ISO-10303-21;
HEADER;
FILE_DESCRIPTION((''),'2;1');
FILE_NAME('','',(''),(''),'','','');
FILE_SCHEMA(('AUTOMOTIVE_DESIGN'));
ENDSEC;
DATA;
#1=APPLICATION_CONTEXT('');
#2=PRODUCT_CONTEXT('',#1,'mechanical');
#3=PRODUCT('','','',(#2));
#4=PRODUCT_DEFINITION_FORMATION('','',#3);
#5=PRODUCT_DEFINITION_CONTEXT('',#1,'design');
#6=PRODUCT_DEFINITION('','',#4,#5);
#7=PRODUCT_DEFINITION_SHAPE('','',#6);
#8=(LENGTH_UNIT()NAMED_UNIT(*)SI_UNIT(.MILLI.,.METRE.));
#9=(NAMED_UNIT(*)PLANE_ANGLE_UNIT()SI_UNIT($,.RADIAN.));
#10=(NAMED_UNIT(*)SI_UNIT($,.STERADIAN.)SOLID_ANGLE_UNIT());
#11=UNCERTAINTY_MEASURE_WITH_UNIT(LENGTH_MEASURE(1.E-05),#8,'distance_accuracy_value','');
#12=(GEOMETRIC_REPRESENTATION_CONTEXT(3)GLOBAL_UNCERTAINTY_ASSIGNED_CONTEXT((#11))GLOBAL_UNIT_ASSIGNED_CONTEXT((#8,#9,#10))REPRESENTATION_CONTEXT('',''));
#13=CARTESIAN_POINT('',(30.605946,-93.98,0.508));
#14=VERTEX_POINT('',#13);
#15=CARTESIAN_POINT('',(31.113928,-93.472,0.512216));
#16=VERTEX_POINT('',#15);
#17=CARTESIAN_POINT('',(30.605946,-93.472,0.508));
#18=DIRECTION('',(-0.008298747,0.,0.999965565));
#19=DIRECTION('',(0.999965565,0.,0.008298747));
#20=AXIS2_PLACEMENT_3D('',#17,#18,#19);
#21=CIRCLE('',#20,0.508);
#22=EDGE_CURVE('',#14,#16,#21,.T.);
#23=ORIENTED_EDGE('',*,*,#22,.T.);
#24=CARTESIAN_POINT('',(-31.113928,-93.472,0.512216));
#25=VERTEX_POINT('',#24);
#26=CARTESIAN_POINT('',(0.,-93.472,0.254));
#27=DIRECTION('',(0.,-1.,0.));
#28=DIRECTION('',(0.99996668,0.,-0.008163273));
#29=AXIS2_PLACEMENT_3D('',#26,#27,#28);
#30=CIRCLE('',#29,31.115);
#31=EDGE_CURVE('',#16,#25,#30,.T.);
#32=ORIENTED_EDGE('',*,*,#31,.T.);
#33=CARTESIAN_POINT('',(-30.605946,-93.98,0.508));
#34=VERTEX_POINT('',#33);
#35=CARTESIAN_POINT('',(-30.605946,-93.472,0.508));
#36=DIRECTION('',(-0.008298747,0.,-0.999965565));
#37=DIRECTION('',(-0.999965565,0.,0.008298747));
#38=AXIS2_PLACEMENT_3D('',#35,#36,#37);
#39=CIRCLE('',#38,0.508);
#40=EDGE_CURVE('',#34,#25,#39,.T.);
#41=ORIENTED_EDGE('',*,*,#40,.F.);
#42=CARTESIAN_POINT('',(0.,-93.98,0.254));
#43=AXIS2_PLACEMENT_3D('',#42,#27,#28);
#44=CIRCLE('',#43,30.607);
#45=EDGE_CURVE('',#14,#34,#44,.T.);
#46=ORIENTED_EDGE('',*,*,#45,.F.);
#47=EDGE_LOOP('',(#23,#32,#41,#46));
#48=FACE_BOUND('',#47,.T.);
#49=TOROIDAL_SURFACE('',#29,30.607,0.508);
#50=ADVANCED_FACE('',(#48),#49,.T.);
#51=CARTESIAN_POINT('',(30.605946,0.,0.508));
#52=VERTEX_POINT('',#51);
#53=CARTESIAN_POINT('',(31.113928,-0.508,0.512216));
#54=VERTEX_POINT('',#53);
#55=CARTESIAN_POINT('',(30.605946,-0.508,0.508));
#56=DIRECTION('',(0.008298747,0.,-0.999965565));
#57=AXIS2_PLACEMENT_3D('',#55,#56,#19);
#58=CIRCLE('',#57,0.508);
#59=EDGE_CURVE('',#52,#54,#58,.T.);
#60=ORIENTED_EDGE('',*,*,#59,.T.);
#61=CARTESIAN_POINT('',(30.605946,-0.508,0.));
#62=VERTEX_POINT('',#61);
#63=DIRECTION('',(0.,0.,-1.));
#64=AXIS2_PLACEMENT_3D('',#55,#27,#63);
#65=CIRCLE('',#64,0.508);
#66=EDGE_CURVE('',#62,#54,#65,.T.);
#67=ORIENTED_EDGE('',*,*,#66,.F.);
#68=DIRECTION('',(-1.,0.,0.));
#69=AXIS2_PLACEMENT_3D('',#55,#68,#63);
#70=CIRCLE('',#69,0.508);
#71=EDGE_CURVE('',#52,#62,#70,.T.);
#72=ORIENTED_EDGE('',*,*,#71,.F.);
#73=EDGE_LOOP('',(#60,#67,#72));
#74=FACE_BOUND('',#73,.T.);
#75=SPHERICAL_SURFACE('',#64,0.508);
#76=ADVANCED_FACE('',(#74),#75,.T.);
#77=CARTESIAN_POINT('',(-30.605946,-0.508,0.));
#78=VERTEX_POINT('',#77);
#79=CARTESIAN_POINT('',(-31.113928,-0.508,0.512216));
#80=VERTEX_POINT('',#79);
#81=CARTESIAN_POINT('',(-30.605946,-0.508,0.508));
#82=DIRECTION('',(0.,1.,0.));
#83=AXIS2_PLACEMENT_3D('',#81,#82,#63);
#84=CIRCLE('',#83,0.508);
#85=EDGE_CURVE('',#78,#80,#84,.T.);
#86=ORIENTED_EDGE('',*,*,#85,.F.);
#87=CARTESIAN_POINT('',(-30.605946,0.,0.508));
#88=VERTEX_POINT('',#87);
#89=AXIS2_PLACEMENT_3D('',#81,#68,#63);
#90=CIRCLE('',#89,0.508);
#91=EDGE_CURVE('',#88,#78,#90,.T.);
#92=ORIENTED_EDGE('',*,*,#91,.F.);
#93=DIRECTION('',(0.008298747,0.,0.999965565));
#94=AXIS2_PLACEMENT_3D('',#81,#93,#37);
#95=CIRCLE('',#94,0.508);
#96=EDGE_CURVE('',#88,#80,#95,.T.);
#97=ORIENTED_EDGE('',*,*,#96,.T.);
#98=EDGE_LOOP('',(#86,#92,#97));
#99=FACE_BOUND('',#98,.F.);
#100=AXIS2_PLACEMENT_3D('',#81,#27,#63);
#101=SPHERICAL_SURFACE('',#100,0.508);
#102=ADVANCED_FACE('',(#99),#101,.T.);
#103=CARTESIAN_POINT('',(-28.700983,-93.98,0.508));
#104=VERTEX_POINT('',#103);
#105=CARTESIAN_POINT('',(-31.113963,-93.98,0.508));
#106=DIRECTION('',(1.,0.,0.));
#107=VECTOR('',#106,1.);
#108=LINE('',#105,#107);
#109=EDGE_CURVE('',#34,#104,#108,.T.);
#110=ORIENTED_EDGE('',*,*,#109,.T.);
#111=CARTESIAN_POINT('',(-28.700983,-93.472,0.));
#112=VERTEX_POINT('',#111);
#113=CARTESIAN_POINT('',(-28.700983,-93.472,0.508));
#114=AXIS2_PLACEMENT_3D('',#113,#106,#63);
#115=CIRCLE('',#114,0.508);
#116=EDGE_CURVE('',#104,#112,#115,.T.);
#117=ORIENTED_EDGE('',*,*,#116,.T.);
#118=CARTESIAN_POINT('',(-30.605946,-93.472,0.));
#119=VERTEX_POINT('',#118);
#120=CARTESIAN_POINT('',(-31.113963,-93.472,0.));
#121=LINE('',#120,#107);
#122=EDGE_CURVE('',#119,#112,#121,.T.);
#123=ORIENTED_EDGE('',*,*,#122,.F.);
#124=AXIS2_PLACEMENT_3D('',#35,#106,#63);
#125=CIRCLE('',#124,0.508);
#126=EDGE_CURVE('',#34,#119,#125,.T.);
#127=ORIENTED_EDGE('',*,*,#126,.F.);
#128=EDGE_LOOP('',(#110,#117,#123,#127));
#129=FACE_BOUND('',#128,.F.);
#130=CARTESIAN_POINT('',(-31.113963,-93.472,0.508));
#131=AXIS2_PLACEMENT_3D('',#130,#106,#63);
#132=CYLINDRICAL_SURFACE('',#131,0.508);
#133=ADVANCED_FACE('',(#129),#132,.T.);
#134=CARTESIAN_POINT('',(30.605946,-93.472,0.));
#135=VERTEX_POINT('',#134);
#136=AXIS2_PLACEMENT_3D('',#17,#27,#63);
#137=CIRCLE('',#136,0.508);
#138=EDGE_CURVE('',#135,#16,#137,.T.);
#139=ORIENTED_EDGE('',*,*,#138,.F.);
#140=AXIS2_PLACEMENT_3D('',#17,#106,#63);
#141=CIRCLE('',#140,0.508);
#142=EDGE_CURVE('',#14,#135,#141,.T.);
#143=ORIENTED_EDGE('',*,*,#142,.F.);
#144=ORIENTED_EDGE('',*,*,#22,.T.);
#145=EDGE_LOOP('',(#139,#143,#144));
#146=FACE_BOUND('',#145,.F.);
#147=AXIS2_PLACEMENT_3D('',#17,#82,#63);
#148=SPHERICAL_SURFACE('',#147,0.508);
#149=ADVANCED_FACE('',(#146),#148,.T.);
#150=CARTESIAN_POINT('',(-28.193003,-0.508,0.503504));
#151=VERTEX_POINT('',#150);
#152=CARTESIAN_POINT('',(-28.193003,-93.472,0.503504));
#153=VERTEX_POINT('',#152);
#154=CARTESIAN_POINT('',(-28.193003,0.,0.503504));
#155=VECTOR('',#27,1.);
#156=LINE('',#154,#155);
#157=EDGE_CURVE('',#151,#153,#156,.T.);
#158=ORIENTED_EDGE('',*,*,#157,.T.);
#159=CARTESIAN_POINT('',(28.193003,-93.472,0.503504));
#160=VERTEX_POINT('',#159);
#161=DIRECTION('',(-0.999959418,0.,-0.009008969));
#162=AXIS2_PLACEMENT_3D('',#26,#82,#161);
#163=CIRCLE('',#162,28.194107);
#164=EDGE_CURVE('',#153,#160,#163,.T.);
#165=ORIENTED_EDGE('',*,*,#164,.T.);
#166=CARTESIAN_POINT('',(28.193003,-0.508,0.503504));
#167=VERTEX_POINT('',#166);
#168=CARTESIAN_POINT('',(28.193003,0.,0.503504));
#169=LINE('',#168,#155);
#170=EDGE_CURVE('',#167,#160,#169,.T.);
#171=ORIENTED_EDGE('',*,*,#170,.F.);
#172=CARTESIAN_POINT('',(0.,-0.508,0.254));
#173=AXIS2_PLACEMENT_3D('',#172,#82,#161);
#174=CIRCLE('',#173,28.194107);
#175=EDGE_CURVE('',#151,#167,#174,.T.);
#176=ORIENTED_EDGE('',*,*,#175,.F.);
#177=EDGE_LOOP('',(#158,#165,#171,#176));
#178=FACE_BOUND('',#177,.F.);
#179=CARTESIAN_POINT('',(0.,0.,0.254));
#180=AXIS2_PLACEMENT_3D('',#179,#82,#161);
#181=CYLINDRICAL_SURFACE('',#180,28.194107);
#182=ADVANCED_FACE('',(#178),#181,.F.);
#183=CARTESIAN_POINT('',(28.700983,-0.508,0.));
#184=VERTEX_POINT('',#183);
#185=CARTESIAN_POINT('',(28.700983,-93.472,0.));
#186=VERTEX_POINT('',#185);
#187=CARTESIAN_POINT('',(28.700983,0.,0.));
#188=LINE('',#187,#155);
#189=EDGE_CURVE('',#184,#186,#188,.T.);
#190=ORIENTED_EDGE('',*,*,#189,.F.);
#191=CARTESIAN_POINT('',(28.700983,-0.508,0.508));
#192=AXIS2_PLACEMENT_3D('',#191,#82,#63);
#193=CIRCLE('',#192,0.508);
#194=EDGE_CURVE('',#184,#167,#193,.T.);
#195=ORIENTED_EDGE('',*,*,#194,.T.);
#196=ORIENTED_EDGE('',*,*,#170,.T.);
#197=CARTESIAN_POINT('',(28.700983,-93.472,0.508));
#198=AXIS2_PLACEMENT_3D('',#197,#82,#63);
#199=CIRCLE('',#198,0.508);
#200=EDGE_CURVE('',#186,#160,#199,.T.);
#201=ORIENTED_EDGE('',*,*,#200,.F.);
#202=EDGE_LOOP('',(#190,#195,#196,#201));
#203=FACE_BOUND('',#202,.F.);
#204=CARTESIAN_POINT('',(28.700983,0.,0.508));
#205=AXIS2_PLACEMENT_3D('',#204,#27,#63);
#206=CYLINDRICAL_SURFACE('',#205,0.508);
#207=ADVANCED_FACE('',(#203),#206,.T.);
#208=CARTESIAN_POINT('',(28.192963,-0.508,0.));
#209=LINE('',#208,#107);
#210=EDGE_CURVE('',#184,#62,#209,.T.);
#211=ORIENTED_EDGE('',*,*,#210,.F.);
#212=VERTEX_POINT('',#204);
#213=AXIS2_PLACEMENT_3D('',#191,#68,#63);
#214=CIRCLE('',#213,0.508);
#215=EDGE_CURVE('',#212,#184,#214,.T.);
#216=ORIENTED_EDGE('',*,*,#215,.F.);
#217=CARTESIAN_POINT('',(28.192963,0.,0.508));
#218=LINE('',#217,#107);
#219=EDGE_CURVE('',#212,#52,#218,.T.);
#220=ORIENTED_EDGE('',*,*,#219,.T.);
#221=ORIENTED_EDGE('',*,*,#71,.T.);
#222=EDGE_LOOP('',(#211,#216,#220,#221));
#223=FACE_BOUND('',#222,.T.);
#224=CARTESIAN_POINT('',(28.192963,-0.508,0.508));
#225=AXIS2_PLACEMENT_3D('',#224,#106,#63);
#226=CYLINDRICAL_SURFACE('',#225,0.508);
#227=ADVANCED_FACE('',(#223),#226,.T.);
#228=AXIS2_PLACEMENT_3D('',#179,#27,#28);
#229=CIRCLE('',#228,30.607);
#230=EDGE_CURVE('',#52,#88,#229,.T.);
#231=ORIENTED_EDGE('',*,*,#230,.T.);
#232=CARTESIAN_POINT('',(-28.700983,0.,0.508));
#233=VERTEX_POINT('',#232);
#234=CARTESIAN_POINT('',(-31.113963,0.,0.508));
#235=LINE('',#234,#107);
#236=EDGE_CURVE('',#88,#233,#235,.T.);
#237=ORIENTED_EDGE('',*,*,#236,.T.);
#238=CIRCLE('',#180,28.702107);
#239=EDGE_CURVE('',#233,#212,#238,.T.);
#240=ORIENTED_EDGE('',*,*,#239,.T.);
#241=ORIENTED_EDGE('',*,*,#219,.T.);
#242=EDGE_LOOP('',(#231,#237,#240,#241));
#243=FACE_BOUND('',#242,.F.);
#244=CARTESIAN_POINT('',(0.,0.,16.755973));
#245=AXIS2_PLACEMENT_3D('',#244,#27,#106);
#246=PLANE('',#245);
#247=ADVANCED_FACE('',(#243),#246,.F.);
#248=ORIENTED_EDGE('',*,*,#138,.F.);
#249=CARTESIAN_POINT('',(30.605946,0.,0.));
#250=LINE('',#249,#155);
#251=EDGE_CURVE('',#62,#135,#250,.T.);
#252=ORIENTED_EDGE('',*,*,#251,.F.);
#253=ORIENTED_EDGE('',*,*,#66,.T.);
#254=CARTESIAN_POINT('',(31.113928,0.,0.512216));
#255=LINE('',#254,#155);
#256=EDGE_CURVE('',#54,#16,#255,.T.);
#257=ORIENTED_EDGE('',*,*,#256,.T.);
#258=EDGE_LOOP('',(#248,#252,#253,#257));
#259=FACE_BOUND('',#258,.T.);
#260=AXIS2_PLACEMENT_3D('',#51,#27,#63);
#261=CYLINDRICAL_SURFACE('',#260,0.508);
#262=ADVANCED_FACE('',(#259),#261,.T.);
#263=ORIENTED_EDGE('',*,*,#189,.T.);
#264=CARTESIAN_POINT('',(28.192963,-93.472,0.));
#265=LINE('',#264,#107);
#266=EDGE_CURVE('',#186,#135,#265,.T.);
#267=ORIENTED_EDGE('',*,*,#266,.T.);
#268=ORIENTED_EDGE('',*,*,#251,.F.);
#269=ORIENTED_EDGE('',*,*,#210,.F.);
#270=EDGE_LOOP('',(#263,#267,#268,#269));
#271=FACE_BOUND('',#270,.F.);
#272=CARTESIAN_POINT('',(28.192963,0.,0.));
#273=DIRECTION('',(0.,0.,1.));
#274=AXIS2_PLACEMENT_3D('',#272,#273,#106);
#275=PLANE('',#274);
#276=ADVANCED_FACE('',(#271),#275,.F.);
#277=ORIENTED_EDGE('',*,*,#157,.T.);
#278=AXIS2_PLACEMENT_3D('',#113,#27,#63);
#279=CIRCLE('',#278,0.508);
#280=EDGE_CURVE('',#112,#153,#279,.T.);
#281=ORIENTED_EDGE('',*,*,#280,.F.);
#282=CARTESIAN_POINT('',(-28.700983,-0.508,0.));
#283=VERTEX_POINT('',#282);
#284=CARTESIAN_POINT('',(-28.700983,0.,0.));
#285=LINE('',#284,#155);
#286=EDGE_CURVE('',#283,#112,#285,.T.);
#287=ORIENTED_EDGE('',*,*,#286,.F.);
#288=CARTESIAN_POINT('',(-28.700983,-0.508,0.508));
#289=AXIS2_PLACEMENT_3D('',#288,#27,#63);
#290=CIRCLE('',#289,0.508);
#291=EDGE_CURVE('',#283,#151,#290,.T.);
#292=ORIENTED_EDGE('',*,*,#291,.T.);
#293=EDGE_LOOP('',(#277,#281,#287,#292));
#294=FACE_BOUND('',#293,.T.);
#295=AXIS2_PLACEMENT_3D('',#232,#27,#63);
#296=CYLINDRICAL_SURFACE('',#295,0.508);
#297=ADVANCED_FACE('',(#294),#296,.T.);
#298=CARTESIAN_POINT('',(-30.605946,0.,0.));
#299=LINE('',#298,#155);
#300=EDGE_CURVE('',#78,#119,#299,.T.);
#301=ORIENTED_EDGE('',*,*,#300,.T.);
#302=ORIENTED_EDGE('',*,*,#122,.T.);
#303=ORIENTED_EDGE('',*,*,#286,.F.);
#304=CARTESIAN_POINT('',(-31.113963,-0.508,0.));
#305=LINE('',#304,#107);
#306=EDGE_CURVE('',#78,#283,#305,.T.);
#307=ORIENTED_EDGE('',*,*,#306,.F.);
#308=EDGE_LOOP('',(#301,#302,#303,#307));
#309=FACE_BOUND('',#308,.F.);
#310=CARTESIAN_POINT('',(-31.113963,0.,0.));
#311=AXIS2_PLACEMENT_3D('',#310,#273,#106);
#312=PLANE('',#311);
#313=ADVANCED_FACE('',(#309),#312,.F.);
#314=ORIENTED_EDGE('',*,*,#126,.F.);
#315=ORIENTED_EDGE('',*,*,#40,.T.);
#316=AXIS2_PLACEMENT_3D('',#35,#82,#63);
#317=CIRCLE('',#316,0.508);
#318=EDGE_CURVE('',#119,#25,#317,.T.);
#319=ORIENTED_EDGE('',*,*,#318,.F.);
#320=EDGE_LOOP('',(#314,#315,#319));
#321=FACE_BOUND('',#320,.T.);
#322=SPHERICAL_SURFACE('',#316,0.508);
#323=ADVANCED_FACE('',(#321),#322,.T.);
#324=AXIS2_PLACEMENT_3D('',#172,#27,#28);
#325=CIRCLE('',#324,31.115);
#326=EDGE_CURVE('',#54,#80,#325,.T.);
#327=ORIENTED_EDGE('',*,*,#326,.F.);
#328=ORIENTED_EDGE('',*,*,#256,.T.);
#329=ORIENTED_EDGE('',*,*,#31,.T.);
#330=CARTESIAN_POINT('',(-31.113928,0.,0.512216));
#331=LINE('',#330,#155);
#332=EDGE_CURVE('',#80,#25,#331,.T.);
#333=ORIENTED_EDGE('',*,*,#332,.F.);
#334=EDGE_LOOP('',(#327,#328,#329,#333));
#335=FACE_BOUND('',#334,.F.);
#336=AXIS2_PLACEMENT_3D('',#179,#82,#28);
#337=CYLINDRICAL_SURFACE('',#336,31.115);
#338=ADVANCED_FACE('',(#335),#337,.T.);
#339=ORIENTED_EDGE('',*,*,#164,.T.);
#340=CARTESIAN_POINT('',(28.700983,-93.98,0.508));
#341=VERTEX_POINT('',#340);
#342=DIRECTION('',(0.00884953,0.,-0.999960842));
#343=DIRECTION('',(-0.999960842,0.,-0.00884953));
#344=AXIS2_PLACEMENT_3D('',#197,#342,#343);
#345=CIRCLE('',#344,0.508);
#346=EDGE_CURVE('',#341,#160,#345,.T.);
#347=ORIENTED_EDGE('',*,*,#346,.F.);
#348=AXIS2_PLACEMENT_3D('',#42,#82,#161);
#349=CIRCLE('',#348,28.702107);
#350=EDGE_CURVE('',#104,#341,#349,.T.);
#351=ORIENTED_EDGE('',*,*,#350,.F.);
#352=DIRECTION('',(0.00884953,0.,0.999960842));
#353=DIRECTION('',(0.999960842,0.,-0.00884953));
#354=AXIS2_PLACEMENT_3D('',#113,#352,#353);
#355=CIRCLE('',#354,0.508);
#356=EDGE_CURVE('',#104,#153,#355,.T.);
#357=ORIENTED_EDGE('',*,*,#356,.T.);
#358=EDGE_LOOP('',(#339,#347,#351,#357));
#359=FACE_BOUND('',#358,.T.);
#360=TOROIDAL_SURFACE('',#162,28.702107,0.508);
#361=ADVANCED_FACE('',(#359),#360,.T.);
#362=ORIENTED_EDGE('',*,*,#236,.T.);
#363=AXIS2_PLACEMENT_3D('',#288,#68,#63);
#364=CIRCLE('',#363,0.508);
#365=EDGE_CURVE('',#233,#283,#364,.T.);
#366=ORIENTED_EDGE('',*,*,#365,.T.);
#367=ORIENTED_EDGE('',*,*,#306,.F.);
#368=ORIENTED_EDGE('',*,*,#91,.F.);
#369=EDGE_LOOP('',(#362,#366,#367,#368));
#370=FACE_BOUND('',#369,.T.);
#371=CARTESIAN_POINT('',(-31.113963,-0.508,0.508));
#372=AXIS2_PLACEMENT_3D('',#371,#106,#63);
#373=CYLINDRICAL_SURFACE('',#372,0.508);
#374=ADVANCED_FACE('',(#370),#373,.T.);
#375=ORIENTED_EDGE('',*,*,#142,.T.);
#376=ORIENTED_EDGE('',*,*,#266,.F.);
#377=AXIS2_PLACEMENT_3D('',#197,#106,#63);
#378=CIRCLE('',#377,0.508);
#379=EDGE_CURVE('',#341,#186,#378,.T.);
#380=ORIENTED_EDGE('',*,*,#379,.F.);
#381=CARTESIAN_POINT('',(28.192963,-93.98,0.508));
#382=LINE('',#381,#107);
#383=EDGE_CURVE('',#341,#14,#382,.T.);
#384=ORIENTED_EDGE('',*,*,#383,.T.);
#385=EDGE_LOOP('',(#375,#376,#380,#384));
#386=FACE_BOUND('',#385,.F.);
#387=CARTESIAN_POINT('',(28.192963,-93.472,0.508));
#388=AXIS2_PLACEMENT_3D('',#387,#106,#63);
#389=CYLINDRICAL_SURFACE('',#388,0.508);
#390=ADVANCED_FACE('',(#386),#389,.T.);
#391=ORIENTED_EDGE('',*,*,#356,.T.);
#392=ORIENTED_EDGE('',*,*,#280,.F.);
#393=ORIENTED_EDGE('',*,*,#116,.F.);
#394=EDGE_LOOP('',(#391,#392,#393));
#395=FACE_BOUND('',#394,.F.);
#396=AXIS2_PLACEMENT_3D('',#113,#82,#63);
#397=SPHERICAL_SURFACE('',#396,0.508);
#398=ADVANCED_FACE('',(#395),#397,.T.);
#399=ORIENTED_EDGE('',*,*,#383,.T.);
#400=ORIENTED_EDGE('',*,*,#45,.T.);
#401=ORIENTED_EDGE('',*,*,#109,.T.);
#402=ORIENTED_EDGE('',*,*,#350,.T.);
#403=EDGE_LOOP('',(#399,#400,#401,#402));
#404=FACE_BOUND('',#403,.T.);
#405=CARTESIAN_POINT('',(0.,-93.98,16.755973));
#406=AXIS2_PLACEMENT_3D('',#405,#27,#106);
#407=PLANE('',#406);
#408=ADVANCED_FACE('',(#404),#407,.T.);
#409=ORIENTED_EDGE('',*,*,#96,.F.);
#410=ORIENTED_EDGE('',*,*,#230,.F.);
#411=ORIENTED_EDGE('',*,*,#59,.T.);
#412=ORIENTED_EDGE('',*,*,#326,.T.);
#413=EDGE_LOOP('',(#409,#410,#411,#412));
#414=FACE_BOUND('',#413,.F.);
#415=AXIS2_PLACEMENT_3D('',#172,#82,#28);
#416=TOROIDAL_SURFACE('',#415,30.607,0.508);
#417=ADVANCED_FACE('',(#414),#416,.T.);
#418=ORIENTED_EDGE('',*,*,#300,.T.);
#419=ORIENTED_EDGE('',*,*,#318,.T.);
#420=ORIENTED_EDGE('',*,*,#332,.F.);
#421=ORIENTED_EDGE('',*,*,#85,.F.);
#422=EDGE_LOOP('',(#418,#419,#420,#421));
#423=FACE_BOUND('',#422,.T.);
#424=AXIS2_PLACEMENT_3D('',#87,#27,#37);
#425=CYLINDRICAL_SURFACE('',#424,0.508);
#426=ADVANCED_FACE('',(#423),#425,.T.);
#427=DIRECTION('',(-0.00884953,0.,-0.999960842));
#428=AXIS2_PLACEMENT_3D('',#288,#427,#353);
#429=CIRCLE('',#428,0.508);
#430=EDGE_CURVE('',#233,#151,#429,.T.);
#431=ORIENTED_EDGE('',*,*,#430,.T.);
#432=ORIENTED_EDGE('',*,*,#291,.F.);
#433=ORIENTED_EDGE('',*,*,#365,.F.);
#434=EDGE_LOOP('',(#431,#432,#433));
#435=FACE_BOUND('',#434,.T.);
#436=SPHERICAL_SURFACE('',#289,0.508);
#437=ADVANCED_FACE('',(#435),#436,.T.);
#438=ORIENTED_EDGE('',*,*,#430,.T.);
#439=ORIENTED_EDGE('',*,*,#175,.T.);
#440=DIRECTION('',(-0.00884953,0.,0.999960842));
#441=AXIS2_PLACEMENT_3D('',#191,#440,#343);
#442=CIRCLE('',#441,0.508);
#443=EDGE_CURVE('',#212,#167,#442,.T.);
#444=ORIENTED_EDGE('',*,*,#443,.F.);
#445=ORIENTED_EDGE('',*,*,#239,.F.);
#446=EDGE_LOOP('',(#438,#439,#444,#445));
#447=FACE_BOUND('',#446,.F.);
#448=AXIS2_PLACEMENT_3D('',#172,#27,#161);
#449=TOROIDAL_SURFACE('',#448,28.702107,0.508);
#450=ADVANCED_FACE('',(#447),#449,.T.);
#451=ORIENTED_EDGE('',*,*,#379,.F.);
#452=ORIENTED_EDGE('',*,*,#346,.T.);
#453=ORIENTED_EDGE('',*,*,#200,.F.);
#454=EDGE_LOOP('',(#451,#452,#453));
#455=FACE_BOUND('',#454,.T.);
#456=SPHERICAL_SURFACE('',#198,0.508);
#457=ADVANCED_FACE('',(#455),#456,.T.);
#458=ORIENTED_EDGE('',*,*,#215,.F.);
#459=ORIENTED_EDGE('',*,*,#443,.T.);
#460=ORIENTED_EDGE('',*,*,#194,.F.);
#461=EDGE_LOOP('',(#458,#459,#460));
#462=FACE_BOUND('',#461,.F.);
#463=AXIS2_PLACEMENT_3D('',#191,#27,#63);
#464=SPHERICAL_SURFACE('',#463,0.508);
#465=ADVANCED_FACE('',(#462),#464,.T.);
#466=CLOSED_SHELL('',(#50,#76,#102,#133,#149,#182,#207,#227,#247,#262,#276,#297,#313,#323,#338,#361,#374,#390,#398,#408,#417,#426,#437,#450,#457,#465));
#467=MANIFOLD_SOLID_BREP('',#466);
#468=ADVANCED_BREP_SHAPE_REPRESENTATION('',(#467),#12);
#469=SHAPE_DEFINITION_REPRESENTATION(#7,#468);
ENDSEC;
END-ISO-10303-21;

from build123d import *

# Parameters (mm, degrees)
F1_DEPTH = 93.98
F2_R     = 0.508


with BuildPart() as f1:
    # F0 (on Front) → F1 (new body)
    with BuildSketch(Plane.XZ):
        with BuildLine():
            Line((28.192963, 0), (31.113963, 0))
            ThreePointArc((31.113963, 0), (0, 31.369), (-31.113963, 0))
            Line((-31.113963, 0), (-28.192963, 0))
            ThreePointArc((-28.192963, 0), (0, 28.448107), (28.192963, 0))
        make_face()
    extrude(amount=F1_DEPTH)

    # F2
    f2_edges = [f1.edges().sort_by_distance(p)[0] for p in [
        (0, -93.98, 28.448107),
        (0, -93.98, 31.369),
        (31.113963, -46.99, 0),
        (28.192963, -46.99, 0),
        (-28.192963, -46.99, 0),
        (-31.113963, -46.99, 0),
        (-29.653463, -93.98, 0),
        (-29.653463, 0, 0),
        (29.653463, 0, 0),
        (0, 0, 31.369),
        (0, 0, 28.448107),
        (29.653463, -93.98, 0),
    ]]
    fillet(f2_edges, radius=F2_R)


solid = f1.part
